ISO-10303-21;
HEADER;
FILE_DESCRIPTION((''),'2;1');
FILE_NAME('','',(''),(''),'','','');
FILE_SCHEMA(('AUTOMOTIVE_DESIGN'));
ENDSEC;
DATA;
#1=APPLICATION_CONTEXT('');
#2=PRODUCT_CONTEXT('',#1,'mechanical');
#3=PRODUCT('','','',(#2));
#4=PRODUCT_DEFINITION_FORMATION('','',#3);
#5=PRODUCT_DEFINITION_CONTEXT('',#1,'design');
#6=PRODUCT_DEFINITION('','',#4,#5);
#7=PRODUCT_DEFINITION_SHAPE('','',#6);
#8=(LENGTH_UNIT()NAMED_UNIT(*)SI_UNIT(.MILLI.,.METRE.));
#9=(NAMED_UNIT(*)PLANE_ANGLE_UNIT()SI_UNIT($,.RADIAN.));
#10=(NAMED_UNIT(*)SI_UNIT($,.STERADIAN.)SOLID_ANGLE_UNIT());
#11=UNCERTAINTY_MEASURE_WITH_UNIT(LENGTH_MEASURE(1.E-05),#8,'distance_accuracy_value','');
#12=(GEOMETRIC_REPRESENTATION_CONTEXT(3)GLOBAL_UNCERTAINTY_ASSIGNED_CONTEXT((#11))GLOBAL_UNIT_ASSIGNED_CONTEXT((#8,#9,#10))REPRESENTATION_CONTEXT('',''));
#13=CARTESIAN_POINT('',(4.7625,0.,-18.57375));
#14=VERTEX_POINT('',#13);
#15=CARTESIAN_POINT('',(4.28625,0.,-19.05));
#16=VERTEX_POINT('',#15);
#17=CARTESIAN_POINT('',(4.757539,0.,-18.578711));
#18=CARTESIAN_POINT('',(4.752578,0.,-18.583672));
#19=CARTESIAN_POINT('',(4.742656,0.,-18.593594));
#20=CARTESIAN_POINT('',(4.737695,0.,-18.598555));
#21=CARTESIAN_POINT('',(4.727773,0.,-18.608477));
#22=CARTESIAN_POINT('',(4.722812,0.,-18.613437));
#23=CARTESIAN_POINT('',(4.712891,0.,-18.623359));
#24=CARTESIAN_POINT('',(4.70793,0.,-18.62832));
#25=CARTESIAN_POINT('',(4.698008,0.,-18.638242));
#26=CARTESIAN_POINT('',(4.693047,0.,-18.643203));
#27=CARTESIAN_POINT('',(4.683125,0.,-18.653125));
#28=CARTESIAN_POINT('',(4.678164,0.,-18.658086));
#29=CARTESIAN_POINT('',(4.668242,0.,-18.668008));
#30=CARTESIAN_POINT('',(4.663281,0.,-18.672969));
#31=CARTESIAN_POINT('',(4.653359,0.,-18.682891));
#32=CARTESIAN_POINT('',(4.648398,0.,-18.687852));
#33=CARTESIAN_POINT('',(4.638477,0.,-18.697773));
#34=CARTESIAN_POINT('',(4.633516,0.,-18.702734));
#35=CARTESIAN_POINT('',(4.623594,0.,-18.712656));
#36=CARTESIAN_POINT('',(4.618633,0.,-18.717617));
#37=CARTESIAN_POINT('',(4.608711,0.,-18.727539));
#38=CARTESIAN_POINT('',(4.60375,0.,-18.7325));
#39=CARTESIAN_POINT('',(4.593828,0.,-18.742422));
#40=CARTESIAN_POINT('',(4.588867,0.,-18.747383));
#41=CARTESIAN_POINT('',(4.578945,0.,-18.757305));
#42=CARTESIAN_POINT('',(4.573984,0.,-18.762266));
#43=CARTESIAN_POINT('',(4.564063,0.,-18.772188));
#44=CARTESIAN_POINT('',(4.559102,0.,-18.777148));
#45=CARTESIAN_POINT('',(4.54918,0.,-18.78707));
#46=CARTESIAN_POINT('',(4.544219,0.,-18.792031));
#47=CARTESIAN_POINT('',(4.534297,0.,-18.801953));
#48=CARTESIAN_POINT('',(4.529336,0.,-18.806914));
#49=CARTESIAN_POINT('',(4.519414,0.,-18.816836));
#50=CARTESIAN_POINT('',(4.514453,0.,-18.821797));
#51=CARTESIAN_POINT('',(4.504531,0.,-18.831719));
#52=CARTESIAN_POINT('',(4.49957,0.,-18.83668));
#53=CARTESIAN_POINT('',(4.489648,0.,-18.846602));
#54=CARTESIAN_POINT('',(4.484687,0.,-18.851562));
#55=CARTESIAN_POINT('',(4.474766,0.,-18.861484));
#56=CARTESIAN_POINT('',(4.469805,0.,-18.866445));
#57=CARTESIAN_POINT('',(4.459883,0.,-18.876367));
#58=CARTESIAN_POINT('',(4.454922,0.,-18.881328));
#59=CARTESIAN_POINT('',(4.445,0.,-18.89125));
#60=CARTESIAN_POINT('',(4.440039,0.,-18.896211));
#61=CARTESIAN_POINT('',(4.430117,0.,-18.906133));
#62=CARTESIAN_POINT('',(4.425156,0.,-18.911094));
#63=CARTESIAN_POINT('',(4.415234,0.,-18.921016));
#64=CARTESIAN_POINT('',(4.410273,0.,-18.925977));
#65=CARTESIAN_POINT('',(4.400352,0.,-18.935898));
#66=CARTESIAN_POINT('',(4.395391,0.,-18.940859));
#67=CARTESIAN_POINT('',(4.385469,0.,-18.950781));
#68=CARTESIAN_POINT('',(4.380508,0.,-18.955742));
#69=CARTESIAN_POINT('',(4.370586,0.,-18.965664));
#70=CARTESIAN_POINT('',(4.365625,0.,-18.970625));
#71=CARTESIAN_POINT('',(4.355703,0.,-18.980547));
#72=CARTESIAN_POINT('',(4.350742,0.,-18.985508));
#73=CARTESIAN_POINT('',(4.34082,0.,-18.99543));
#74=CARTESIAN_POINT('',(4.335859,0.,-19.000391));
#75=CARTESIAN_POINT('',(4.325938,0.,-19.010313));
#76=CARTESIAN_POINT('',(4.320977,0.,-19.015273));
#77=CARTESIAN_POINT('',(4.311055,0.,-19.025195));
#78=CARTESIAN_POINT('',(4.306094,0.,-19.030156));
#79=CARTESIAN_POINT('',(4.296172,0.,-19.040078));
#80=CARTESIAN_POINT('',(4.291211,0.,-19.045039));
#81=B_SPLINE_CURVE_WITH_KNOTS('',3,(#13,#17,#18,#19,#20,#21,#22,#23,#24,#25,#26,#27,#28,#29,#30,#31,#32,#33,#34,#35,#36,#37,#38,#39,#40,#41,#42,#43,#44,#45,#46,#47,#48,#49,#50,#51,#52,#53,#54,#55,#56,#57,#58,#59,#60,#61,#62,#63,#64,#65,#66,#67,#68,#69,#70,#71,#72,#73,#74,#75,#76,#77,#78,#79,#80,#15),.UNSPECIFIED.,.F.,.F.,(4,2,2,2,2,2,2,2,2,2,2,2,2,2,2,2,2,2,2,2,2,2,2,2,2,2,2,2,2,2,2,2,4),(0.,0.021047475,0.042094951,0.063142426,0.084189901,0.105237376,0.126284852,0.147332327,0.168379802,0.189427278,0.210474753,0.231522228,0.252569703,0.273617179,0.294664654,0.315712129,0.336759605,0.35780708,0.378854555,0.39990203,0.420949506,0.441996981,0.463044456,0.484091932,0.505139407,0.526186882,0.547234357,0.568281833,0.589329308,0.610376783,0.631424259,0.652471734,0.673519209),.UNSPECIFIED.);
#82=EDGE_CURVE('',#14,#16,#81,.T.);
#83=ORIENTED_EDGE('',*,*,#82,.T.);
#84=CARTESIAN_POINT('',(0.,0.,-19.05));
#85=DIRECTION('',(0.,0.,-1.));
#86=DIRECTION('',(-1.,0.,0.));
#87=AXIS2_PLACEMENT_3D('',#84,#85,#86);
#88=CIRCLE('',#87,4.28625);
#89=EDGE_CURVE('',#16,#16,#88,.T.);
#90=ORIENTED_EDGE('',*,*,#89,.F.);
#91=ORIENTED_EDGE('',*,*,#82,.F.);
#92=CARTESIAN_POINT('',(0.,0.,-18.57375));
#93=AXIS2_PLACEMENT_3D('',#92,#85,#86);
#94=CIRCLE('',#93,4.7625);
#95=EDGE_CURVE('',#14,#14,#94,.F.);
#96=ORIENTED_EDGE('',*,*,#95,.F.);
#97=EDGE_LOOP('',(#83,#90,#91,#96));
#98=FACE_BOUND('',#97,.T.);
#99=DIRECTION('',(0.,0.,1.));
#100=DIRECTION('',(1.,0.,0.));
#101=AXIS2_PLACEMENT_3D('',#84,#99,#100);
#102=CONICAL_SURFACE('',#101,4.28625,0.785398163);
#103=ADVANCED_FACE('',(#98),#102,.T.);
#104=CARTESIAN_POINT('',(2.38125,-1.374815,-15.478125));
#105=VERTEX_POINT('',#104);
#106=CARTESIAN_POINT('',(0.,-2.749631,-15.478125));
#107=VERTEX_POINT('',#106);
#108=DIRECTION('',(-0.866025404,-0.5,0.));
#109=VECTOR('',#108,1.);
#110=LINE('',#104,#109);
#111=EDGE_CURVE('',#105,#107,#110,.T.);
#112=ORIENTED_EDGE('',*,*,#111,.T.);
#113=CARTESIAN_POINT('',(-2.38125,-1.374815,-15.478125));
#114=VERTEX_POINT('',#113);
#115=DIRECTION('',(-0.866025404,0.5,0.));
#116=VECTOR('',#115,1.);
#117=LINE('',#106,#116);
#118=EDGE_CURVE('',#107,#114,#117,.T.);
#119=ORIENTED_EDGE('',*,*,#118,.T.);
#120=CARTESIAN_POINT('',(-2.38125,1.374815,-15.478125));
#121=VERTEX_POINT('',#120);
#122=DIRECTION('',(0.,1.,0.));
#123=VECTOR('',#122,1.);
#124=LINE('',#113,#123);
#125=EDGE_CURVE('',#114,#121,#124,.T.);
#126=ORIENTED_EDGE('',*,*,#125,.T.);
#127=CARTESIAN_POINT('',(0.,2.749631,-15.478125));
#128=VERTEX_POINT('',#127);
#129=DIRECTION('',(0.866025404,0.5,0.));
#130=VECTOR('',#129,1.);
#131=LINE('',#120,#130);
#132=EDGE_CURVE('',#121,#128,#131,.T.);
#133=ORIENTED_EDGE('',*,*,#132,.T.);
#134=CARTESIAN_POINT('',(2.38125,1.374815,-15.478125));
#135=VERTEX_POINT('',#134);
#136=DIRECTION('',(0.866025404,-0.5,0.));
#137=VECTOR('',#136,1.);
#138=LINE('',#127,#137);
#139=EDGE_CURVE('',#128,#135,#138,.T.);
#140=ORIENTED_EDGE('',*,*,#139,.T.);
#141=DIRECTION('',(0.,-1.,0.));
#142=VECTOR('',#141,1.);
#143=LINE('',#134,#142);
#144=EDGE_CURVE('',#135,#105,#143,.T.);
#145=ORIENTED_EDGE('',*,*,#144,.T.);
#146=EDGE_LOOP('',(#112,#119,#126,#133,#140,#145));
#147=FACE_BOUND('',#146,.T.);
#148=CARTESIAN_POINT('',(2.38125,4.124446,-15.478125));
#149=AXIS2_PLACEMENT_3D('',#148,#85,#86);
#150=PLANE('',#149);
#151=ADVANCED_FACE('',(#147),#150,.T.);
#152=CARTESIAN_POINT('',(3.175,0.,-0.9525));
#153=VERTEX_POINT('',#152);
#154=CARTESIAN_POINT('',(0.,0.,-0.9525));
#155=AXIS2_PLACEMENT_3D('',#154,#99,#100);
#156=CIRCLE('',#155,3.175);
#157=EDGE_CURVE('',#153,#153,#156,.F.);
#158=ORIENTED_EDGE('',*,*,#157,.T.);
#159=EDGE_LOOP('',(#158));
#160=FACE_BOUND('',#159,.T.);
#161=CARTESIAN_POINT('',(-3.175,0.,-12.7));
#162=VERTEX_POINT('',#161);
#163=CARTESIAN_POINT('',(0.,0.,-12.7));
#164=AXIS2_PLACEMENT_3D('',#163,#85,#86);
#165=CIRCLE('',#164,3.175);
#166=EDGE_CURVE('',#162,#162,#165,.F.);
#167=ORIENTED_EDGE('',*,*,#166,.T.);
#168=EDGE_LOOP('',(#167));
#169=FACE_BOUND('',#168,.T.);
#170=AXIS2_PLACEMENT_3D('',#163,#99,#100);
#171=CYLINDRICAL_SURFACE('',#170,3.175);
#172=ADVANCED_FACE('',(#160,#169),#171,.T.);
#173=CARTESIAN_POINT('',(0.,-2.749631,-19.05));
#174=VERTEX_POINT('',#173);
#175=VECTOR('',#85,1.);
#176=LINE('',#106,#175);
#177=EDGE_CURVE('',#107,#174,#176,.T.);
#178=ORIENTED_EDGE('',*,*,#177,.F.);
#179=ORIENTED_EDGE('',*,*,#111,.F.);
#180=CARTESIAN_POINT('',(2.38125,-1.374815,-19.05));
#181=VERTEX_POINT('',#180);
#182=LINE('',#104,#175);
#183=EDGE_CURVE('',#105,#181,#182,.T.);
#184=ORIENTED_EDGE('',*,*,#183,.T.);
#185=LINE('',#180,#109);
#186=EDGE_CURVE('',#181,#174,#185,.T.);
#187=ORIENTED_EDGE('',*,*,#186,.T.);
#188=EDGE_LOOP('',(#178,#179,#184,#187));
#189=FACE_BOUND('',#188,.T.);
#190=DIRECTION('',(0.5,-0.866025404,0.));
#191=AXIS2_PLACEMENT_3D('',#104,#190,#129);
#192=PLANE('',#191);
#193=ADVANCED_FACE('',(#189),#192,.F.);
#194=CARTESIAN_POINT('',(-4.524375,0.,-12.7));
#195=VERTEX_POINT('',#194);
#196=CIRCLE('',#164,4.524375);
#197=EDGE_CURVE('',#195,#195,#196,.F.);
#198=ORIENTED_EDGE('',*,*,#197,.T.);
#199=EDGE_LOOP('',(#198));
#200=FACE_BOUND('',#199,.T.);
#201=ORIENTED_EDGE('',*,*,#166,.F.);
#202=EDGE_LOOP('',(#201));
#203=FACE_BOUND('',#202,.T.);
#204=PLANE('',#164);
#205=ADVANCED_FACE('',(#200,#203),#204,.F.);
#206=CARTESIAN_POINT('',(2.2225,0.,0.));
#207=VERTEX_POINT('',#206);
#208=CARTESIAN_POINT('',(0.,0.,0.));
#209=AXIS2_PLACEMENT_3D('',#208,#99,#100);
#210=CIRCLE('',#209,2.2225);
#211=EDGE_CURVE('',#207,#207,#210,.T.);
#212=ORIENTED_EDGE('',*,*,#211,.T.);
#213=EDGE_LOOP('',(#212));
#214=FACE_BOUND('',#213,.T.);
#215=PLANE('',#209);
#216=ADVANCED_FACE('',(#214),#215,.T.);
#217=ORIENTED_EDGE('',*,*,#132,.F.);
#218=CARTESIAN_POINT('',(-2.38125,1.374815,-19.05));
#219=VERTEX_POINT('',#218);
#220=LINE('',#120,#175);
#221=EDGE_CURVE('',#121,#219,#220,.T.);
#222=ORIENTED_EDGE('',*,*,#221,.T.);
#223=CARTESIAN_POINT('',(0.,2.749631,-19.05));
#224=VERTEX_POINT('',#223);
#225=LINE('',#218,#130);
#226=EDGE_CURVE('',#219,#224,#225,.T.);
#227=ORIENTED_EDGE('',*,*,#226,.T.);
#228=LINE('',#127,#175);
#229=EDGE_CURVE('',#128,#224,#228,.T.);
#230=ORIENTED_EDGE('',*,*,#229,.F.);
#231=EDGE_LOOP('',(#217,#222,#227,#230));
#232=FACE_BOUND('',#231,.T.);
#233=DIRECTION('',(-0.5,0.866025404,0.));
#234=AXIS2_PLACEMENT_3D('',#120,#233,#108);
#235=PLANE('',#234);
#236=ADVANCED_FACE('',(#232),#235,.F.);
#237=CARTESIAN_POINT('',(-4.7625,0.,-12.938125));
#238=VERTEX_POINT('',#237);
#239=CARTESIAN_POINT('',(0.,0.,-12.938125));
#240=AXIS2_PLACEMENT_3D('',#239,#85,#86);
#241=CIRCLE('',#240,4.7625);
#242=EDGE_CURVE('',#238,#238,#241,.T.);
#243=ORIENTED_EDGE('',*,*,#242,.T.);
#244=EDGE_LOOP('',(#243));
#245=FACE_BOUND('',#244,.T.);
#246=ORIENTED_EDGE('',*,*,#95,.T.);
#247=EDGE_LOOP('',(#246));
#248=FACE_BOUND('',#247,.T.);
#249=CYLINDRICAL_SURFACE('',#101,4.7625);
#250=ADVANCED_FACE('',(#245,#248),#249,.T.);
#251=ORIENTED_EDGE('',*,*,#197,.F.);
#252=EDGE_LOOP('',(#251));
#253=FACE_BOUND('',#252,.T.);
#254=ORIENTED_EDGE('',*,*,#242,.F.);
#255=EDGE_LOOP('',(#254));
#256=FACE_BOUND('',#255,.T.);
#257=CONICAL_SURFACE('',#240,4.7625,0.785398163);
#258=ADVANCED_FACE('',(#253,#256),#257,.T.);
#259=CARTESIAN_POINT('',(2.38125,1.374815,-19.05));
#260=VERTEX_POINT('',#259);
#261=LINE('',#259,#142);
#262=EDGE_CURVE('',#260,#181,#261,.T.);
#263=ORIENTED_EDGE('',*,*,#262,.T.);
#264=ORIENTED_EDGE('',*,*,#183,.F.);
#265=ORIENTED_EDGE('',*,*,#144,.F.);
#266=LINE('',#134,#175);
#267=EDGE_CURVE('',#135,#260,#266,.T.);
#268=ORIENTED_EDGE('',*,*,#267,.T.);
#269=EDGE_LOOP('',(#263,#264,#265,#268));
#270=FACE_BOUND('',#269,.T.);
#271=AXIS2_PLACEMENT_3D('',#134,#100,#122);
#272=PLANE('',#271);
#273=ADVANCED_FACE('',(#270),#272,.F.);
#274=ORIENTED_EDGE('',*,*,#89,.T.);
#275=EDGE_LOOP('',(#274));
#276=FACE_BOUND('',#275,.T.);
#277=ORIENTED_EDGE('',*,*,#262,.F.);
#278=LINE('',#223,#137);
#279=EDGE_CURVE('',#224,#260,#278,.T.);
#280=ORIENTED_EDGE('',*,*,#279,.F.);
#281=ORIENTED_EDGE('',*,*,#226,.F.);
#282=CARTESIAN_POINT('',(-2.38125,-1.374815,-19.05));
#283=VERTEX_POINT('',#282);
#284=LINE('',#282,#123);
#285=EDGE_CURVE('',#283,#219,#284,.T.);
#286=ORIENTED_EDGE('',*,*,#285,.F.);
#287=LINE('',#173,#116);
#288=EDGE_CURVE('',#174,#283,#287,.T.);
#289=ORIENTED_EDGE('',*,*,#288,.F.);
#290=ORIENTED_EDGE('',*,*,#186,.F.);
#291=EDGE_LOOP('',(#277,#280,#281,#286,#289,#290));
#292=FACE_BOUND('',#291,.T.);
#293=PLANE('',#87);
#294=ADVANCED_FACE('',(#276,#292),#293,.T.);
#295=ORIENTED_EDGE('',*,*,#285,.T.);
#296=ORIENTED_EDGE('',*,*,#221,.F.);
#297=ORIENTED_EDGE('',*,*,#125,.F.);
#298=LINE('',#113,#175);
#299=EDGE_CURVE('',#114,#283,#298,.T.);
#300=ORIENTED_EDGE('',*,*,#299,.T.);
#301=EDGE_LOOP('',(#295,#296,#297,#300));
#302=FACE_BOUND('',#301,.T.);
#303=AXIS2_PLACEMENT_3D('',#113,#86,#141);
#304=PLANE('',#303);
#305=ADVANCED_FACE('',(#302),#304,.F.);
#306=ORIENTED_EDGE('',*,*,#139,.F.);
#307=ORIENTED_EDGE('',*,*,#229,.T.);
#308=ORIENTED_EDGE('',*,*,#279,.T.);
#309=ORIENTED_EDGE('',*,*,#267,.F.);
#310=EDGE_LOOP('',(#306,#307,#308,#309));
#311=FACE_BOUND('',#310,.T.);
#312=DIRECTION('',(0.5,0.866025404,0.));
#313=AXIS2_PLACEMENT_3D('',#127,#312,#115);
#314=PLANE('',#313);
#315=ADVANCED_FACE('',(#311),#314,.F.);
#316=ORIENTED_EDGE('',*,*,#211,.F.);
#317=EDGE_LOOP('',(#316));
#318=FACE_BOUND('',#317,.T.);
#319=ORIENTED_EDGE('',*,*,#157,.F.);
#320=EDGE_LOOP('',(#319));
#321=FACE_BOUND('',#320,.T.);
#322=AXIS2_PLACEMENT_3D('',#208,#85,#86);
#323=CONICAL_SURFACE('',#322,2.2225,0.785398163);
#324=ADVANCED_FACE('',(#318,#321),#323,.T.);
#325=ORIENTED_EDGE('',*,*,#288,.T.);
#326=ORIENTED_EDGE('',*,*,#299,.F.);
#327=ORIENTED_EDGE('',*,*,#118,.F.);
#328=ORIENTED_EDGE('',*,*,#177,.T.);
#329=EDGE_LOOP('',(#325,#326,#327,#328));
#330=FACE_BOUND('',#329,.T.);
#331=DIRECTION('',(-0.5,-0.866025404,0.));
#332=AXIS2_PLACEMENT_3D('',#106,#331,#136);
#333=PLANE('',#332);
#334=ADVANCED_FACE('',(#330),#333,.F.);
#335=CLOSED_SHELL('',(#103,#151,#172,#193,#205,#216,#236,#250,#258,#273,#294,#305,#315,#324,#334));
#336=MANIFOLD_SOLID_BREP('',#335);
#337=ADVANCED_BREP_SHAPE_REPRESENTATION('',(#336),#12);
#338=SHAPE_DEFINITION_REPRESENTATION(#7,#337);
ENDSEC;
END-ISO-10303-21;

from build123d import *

# Parameters (mm, degrees)
SKETCH1_R          = 3.175
EXTRUDE1_DEPTH     = 12.7
CHAMFER3_SIZE      = 0.9525
SKETCH6_R          = 4.7625
EXTRUDE2_DEPTH     = 6.35
CUT_EXTRUDE1_DEPTH = 3.571875
CHAMFER1_SIZE      = 0.47625
CHAMFER2_SIZE      = 0.238125


with BuildPart() as part:
    # Sketch1 → Extrude1 (new body)
    with BuildSketch(Plane.XY):
        Circle(SKETCH1_R)
    extrude(amount=-EXTRUDE1_DEPTH)

    # Chamfer3
    chamfer3_edges = [part.edges().sort_by_distance(p)[0] for p in [
        (-3.175, 0, 0),
    ]]
    chamfer(chamfer3_edges, length=CHAMFER3_SIZE)

    # Sketch6 → Extrude2 (add)
    with BuildSketch(Plane(origin=(0, 0, -12.7), x_dir=(-1, 0, 0), z_dir=(0, 0, -1))):
        Circle(SKETCH6_R)
    extrude(amount=EXTRUDE2_DEPTH)

    # Sketch7 → Cut-Extrude1 (cut)
    with BuildSketch(Plane(origin=(0, 0, -19.05), x_dir=(-1, 0, 0), z_dir=(0, 0, -1))):
        Polygon((0, 2.749630657), (-2.38125, 1.374815329), (-2.38125, -1.374815329), (0, -2.749630657), (2.38125, -1.374815329), (2.38125, 1.374815329), align=None)
    extrude(amount=-CUT_EXTRUDE1_DEPTH, mode=Mode.SUBTRACT)

    # Chamfer1
    chamfer1_edges = [part.edges().sort_by_distance(p)[0] for p in [
        (4.7625, 0, -19.05),
    ]]
    chamfer(chamfer1_edges, length=CHAMFER1_SIZE)

    # Chamfer2
    chamfer2_edges = [part.edges().sort_by_distance(p)[0] for p in [
        (4.7625, 0, -12.7),
    ]]
    chamfer(chamfer2_edges, length=CHAMFER2_SIZE)


solid = part.part
